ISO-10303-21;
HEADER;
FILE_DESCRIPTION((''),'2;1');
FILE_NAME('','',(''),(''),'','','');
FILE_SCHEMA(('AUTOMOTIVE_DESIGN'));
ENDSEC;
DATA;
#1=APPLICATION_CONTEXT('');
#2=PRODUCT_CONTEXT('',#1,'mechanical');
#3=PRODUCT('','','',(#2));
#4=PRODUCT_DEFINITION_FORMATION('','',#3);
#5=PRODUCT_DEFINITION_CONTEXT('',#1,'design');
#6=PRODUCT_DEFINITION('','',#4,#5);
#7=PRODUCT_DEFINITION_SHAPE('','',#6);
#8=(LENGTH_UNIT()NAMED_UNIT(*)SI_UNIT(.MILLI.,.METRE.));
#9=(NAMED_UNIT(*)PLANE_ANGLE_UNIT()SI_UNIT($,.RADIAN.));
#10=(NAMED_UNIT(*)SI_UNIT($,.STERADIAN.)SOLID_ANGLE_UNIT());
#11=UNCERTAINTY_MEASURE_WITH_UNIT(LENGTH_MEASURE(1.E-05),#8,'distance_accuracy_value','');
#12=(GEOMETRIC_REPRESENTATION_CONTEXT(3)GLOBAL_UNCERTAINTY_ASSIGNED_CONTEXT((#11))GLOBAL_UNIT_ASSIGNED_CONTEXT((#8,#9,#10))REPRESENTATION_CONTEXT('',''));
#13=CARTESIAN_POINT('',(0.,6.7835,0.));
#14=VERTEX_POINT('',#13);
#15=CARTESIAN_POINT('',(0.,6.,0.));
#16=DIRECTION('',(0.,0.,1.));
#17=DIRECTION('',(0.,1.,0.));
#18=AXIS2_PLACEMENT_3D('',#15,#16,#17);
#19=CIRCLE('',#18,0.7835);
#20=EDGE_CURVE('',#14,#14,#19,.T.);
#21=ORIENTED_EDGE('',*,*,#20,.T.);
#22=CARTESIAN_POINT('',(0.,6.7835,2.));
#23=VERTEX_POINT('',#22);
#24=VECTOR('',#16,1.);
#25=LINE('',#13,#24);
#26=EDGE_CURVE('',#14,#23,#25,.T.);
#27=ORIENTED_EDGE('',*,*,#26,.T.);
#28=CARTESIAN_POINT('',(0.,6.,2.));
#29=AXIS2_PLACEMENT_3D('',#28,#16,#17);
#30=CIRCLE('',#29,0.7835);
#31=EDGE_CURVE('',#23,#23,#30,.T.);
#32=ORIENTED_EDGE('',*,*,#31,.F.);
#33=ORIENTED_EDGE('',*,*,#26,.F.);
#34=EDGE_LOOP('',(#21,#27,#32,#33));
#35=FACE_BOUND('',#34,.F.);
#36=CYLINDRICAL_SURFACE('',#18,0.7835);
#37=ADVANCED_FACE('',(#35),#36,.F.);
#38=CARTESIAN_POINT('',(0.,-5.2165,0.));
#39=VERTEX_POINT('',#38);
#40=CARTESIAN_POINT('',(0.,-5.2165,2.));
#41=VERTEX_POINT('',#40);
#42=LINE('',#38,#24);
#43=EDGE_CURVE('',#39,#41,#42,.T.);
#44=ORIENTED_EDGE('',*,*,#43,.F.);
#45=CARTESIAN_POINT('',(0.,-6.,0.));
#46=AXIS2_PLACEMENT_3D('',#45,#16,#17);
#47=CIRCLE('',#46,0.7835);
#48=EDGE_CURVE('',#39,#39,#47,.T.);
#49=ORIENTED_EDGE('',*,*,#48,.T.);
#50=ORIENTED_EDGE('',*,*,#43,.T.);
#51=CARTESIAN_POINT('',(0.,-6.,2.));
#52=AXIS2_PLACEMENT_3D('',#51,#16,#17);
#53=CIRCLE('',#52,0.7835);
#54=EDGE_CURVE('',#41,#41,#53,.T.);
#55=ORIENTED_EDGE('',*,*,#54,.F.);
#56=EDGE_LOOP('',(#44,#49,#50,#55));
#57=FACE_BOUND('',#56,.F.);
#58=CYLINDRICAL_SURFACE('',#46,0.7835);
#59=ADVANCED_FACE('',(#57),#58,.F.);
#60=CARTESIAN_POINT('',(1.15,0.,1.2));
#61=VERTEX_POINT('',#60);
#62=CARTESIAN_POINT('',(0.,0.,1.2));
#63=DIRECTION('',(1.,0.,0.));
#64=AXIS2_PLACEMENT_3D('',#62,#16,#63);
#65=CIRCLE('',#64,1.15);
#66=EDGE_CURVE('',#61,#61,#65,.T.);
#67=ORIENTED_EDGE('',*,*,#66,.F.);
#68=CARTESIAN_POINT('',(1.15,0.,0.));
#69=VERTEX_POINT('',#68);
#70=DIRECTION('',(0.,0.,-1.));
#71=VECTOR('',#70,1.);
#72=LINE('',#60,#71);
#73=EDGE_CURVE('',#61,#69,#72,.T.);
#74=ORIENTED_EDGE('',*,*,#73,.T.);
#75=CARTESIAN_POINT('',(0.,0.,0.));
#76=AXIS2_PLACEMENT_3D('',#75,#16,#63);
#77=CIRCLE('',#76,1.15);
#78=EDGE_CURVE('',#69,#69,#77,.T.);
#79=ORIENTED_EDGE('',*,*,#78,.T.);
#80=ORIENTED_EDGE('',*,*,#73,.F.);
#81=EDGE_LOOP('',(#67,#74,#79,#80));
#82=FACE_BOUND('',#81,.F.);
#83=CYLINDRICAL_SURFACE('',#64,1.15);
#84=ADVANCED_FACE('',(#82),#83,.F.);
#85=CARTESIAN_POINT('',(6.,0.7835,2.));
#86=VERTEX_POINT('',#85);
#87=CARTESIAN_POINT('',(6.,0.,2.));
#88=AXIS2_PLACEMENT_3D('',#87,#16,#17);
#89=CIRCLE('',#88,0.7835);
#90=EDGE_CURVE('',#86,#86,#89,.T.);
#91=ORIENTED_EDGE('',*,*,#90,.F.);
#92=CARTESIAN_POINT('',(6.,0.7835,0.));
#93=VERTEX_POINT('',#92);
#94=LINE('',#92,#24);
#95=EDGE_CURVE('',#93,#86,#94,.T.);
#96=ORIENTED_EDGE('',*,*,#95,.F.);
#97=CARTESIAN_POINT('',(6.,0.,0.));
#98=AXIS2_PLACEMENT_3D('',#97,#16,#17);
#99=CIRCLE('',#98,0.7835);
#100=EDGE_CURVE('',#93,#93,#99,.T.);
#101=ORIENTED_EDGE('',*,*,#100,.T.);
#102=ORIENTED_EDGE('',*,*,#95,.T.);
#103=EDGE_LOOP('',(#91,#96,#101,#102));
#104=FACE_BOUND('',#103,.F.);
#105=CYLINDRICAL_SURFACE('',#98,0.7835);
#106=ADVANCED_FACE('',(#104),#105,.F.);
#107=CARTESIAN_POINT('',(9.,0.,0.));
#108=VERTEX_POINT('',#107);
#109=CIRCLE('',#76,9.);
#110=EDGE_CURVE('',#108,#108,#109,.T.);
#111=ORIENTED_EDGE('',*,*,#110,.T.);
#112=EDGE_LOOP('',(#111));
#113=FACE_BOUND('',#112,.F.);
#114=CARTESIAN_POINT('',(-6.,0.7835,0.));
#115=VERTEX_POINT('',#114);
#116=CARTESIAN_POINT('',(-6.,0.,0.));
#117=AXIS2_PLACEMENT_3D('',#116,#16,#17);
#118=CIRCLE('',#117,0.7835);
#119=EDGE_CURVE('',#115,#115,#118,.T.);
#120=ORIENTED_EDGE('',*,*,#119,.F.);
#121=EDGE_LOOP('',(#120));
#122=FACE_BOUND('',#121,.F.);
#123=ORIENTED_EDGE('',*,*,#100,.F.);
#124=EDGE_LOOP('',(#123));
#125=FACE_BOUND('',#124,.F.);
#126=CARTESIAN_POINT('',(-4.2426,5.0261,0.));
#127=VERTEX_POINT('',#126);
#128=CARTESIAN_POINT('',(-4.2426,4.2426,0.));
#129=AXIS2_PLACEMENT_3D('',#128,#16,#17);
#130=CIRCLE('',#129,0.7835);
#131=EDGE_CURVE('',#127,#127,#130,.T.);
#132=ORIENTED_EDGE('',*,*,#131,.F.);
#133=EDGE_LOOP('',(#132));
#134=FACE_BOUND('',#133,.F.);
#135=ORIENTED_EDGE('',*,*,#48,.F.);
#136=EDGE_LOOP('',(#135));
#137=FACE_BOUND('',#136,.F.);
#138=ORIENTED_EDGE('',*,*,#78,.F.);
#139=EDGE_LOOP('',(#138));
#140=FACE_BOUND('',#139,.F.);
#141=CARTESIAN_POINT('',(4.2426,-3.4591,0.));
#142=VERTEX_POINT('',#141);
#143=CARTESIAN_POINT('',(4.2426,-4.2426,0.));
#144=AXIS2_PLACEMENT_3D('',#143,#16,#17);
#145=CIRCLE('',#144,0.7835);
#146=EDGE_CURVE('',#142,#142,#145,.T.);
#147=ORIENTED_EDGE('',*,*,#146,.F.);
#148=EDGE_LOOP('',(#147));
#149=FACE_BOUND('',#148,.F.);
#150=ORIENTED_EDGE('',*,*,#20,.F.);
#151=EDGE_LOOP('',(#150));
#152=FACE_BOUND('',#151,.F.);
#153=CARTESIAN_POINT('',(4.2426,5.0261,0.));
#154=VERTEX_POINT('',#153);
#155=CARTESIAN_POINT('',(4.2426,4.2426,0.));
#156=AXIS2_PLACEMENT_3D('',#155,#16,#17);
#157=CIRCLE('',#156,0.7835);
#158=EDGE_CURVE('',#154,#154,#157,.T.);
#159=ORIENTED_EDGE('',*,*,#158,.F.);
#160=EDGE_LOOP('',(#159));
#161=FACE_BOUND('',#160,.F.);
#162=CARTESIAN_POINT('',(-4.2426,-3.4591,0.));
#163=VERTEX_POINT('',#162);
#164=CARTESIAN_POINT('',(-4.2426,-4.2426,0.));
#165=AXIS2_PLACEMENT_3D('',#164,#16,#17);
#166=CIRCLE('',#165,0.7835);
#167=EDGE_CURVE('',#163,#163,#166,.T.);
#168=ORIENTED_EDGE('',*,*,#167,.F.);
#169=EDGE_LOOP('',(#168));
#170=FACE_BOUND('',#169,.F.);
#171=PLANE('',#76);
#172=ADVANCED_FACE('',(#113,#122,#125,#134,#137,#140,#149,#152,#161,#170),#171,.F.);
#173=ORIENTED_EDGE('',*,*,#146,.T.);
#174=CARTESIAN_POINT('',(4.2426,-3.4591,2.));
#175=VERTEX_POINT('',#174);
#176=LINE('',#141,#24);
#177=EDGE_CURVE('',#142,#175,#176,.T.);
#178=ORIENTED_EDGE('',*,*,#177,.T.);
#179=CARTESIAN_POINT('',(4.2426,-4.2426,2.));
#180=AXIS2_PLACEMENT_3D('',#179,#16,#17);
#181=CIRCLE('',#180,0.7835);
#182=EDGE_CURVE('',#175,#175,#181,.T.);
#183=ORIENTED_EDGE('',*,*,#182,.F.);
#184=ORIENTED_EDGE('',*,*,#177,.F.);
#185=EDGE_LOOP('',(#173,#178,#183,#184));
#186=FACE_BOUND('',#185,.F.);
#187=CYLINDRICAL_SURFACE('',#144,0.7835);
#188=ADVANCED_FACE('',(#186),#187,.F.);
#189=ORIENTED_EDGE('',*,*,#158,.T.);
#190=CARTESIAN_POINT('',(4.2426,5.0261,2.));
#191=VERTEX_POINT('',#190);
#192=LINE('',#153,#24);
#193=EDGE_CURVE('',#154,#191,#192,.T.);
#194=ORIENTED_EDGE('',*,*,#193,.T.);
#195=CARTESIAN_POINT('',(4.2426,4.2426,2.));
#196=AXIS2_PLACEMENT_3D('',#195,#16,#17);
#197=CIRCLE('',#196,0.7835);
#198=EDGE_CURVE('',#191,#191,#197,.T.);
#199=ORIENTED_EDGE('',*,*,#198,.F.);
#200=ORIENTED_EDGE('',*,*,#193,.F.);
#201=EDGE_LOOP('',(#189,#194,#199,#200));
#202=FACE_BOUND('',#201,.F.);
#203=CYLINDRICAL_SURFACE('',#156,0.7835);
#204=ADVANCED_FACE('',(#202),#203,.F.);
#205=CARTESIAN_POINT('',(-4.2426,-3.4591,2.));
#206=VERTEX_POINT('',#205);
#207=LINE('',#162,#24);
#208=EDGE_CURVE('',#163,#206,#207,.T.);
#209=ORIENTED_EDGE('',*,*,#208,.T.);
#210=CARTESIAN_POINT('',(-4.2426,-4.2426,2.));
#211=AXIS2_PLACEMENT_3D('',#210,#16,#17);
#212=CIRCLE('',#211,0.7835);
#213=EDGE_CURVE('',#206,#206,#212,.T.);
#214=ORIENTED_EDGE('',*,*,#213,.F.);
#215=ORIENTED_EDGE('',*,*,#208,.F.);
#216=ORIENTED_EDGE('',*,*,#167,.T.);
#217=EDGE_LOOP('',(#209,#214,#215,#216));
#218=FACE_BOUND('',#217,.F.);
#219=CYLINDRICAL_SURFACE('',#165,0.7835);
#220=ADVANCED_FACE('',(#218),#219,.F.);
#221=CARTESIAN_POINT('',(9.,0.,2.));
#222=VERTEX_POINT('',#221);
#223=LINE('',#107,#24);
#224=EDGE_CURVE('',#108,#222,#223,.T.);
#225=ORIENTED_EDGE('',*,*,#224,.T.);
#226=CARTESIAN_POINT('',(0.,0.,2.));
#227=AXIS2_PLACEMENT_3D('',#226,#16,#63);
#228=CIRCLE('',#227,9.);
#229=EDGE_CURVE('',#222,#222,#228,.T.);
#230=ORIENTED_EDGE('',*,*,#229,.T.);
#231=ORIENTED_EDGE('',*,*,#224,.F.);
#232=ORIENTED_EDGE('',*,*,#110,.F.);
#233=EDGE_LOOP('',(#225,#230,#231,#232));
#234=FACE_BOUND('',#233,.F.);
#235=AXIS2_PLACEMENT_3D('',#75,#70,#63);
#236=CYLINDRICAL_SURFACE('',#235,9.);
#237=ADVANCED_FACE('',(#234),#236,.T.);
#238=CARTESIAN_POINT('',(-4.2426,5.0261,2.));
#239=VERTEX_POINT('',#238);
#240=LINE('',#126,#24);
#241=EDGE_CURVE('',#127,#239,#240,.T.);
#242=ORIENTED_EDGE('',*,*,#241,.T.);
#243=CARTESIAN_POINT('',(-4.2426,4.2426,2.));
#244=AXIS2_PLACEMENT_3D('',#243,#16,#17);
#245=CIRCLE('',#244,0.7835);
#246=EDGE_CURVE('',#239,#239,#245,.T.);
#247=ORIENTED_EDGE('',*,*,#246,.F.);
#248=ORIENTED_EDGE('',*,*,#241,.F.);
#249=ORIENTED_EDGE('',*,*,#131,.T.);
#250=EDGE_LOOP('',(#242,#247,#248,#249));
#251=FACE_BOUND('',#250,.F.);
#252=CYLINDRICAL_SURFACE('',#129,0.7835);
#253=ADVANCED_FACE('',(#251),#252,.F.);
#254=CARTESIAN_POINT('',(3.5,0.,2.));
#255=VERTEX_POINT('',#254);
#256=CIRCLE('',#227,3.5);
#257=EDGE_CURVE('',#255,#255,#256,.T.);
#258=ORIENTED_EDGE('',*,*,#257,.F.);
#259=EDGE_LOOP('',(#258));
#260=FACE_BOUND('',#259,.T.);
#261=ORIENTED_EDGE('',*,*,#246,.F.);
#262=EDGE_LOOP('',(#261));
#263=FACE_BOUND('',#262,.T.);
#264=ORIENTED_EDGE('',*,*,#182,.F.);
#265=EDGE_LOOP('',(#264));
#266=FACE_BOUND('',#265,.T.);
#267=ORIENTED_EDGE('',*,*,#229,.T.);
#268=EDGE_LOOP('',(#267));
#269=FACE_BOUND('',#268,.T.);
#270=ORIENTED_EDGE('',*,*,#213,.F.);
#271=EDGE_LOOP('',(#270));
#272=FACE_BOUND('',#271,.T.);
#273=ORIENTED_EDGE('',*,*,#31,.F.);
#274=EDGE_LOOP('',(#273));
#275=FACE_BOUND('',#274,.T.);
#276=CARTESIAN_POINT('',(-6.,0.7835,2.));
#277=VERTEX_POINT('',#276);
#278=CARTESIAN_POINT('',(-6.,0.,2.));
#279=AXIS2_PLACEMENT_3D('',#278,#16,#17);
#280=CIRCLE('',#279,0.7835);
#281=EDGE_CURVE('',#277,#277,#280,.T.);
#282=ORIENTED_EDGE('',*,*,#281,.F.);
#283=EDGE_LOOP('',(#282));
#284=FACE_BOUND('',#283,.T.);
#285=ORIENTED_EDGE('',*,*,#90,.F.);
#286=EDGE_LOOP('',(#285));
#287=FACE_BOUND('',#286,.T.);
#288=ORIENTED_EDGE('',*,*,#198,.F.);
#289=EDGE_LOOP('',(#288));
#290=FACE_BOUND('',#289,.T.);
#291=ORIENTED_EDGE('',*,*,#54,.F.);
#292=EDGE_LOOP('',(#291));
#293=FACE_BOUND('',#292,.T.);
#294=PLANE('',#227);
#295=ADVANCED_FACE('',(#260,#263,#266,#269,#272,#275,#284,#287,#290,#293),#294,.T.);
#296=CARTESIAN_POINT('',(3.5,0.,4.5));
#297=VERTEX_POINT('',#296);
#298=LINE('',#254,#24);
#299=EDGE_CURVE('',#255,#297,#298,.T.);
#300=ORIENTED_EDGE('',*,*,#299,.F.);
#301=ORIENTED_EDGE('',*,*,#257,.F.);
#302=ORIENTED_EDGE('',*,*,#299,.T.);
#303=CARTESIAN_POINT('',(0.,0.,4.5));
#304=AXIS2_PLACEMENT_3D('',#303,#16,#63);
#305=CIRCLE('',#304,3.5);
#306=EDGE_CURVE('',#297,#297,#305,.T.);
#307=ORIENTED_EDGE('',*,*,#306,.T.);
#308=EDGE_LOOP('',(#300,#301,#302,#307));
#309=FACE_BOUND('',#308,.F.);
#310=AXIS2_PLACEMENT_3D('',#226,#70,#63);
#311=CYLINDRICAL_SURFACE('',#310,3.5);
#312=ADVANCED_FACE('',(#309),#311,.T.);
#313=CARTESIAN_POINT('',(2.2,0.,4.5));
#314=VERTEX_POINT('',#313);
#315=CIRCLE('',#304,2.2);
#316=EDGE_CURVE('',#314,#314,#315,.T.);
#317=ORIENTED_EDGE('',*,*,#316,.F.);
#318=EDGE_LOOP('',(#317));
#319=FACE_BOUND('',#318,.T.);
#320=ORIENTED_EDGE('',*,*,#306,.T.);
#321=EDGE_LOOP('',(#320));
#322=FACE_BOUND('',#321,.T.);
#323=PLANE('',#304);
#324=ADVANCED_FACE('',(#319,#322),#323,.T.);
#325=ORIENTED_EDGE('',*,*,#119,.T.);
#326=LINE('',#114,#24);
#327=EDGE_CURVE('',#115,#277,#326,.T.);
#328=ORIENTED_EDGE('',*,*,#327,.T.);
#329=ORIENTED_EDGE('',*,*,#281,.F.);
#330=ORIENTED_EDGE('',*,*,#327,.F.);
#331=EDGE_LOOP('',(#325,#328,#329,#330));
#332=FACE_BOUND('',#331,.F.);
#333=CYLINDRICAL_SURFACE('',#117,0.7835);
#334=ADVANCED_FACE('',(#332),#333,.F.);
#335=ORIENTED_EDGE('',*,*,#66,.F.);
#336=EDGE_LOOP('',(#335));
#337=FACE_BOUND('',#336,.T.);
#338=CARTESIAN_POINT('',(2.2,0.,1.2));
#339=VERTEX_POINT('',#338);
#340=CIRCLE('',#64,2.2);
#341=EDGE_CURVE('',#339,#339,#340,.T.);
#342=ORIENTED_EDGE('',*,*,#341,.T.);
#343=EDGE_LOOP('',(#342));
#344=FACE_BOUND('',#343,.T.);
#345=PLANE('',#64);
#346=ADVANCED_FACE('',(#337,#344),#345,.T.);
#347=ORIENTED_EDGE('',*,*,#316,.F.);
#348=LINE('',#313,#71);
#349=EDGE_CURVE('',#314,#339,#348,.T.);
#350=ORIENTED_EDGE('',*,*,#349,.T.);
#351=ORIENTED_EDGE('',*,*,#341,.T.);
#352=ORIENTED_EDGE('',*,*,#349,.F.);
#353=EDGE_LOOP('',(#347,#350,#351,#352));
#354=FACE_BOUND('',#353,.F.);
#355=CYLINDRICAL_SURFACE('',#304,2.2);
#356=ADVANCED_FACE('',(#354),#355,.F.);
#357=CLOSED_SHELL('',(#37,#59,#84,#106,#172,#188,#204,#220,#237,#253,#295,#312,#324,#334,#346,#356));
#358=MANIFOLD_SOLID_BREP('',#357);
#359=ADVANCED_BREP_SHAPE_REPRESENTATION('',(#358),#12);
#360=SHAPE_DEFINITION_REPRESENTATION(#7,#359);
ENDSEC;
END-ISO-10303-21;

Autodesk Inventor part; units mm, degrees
ref_plane "YZ Plane" through (0, 0, 0) normal (1, 0, 0) x (0, 1, 0)
ref_plane "XZ Plane" through (0, 0, 0) normal (0, 1, 0) x (-1, 0, 0)
ref_plane "XY Plane" through (0, 0, 0) normal (0, 0, 1) x (1, 0, 0)
sketch "スケッチ1" plane through (0, 0, 0) normal (0, 0, 1) x (1, 0, 0)
  circle A0 centre (0, 0) radius 9
  dimension "d0" = 18
extrude "押し出し1" add sketch "スケッチ1" along normal blind 2
sketch "スケッチ2" plane through (0, 0, 2) normal (0, 0, 1) x (1, 0, 0)
  circle A0 centre (0, 0) radius 3.5
  dimension "d3" = 7
extrude "押し出し2" add sketch "スケッチ2" along normal blind 2.5
sketch "スケッチ3" plane through (0, 0, 4.5) normal (0, 0, 1) x (1, 0, 0)
  circle A0 centre (0, 0) radius 2.2
  dimension "d6" = 4.4
extrude "押し出し3" cut sketch "スケッチ3" against normal blind 3.3
sketch "スケッチ4" plane through (0, 0, 1.2) normal (0, 0, 1) x (1, 0, 0)
  circle A0 centre (0, 0) radius 2.2 projected
  circle A1 centre (0, 0) radius 1.15
  dimension "d9" = 2.3
extrude "押し出し4" cut sketch "スケッチ4" against normal through all contours A1
sketch "スケッチ5" plane through (0, 0, 0) normal (0, 0, -1) x (-1, 0, 0)
  circle A0 centre (0, 0) radius 6 construction
  line L0 (0, -11.2961) -> (0, 11.2961) construction
  line L1 (-11.4539, 0) -> (11.4539, 0) construction
  point P0 (0, 6)
  point P1 (-4.2426, 4.2426)
  point P2 (-6, 0)
  point P3 (-4.2426, -4.2426)
  point P4 (0, -6)
  point P5 (4.2426, -4.2426)
  point P6 (6, 0)
  point P7 (4.2426, 4.2426)
  dimension "d12" = 12
  dimension "d15" = 360
hole "穴1" at (0, 6, 0) at (4.2426, 4.2426, 0) at (6, 0, 0) at (4.2426, -4.2426, 0) at (0, -6, 0) at (-4.2426, -4.2426, 0) at (-6, 0, 0) at (-4.2426, 4.2426, 0) direction (0, 0, 1) diameter 1.567 end through all thread size "M2x0.4" class "6H" standard "ISO Metric profile"
properties part number "STS3032_Horn"
